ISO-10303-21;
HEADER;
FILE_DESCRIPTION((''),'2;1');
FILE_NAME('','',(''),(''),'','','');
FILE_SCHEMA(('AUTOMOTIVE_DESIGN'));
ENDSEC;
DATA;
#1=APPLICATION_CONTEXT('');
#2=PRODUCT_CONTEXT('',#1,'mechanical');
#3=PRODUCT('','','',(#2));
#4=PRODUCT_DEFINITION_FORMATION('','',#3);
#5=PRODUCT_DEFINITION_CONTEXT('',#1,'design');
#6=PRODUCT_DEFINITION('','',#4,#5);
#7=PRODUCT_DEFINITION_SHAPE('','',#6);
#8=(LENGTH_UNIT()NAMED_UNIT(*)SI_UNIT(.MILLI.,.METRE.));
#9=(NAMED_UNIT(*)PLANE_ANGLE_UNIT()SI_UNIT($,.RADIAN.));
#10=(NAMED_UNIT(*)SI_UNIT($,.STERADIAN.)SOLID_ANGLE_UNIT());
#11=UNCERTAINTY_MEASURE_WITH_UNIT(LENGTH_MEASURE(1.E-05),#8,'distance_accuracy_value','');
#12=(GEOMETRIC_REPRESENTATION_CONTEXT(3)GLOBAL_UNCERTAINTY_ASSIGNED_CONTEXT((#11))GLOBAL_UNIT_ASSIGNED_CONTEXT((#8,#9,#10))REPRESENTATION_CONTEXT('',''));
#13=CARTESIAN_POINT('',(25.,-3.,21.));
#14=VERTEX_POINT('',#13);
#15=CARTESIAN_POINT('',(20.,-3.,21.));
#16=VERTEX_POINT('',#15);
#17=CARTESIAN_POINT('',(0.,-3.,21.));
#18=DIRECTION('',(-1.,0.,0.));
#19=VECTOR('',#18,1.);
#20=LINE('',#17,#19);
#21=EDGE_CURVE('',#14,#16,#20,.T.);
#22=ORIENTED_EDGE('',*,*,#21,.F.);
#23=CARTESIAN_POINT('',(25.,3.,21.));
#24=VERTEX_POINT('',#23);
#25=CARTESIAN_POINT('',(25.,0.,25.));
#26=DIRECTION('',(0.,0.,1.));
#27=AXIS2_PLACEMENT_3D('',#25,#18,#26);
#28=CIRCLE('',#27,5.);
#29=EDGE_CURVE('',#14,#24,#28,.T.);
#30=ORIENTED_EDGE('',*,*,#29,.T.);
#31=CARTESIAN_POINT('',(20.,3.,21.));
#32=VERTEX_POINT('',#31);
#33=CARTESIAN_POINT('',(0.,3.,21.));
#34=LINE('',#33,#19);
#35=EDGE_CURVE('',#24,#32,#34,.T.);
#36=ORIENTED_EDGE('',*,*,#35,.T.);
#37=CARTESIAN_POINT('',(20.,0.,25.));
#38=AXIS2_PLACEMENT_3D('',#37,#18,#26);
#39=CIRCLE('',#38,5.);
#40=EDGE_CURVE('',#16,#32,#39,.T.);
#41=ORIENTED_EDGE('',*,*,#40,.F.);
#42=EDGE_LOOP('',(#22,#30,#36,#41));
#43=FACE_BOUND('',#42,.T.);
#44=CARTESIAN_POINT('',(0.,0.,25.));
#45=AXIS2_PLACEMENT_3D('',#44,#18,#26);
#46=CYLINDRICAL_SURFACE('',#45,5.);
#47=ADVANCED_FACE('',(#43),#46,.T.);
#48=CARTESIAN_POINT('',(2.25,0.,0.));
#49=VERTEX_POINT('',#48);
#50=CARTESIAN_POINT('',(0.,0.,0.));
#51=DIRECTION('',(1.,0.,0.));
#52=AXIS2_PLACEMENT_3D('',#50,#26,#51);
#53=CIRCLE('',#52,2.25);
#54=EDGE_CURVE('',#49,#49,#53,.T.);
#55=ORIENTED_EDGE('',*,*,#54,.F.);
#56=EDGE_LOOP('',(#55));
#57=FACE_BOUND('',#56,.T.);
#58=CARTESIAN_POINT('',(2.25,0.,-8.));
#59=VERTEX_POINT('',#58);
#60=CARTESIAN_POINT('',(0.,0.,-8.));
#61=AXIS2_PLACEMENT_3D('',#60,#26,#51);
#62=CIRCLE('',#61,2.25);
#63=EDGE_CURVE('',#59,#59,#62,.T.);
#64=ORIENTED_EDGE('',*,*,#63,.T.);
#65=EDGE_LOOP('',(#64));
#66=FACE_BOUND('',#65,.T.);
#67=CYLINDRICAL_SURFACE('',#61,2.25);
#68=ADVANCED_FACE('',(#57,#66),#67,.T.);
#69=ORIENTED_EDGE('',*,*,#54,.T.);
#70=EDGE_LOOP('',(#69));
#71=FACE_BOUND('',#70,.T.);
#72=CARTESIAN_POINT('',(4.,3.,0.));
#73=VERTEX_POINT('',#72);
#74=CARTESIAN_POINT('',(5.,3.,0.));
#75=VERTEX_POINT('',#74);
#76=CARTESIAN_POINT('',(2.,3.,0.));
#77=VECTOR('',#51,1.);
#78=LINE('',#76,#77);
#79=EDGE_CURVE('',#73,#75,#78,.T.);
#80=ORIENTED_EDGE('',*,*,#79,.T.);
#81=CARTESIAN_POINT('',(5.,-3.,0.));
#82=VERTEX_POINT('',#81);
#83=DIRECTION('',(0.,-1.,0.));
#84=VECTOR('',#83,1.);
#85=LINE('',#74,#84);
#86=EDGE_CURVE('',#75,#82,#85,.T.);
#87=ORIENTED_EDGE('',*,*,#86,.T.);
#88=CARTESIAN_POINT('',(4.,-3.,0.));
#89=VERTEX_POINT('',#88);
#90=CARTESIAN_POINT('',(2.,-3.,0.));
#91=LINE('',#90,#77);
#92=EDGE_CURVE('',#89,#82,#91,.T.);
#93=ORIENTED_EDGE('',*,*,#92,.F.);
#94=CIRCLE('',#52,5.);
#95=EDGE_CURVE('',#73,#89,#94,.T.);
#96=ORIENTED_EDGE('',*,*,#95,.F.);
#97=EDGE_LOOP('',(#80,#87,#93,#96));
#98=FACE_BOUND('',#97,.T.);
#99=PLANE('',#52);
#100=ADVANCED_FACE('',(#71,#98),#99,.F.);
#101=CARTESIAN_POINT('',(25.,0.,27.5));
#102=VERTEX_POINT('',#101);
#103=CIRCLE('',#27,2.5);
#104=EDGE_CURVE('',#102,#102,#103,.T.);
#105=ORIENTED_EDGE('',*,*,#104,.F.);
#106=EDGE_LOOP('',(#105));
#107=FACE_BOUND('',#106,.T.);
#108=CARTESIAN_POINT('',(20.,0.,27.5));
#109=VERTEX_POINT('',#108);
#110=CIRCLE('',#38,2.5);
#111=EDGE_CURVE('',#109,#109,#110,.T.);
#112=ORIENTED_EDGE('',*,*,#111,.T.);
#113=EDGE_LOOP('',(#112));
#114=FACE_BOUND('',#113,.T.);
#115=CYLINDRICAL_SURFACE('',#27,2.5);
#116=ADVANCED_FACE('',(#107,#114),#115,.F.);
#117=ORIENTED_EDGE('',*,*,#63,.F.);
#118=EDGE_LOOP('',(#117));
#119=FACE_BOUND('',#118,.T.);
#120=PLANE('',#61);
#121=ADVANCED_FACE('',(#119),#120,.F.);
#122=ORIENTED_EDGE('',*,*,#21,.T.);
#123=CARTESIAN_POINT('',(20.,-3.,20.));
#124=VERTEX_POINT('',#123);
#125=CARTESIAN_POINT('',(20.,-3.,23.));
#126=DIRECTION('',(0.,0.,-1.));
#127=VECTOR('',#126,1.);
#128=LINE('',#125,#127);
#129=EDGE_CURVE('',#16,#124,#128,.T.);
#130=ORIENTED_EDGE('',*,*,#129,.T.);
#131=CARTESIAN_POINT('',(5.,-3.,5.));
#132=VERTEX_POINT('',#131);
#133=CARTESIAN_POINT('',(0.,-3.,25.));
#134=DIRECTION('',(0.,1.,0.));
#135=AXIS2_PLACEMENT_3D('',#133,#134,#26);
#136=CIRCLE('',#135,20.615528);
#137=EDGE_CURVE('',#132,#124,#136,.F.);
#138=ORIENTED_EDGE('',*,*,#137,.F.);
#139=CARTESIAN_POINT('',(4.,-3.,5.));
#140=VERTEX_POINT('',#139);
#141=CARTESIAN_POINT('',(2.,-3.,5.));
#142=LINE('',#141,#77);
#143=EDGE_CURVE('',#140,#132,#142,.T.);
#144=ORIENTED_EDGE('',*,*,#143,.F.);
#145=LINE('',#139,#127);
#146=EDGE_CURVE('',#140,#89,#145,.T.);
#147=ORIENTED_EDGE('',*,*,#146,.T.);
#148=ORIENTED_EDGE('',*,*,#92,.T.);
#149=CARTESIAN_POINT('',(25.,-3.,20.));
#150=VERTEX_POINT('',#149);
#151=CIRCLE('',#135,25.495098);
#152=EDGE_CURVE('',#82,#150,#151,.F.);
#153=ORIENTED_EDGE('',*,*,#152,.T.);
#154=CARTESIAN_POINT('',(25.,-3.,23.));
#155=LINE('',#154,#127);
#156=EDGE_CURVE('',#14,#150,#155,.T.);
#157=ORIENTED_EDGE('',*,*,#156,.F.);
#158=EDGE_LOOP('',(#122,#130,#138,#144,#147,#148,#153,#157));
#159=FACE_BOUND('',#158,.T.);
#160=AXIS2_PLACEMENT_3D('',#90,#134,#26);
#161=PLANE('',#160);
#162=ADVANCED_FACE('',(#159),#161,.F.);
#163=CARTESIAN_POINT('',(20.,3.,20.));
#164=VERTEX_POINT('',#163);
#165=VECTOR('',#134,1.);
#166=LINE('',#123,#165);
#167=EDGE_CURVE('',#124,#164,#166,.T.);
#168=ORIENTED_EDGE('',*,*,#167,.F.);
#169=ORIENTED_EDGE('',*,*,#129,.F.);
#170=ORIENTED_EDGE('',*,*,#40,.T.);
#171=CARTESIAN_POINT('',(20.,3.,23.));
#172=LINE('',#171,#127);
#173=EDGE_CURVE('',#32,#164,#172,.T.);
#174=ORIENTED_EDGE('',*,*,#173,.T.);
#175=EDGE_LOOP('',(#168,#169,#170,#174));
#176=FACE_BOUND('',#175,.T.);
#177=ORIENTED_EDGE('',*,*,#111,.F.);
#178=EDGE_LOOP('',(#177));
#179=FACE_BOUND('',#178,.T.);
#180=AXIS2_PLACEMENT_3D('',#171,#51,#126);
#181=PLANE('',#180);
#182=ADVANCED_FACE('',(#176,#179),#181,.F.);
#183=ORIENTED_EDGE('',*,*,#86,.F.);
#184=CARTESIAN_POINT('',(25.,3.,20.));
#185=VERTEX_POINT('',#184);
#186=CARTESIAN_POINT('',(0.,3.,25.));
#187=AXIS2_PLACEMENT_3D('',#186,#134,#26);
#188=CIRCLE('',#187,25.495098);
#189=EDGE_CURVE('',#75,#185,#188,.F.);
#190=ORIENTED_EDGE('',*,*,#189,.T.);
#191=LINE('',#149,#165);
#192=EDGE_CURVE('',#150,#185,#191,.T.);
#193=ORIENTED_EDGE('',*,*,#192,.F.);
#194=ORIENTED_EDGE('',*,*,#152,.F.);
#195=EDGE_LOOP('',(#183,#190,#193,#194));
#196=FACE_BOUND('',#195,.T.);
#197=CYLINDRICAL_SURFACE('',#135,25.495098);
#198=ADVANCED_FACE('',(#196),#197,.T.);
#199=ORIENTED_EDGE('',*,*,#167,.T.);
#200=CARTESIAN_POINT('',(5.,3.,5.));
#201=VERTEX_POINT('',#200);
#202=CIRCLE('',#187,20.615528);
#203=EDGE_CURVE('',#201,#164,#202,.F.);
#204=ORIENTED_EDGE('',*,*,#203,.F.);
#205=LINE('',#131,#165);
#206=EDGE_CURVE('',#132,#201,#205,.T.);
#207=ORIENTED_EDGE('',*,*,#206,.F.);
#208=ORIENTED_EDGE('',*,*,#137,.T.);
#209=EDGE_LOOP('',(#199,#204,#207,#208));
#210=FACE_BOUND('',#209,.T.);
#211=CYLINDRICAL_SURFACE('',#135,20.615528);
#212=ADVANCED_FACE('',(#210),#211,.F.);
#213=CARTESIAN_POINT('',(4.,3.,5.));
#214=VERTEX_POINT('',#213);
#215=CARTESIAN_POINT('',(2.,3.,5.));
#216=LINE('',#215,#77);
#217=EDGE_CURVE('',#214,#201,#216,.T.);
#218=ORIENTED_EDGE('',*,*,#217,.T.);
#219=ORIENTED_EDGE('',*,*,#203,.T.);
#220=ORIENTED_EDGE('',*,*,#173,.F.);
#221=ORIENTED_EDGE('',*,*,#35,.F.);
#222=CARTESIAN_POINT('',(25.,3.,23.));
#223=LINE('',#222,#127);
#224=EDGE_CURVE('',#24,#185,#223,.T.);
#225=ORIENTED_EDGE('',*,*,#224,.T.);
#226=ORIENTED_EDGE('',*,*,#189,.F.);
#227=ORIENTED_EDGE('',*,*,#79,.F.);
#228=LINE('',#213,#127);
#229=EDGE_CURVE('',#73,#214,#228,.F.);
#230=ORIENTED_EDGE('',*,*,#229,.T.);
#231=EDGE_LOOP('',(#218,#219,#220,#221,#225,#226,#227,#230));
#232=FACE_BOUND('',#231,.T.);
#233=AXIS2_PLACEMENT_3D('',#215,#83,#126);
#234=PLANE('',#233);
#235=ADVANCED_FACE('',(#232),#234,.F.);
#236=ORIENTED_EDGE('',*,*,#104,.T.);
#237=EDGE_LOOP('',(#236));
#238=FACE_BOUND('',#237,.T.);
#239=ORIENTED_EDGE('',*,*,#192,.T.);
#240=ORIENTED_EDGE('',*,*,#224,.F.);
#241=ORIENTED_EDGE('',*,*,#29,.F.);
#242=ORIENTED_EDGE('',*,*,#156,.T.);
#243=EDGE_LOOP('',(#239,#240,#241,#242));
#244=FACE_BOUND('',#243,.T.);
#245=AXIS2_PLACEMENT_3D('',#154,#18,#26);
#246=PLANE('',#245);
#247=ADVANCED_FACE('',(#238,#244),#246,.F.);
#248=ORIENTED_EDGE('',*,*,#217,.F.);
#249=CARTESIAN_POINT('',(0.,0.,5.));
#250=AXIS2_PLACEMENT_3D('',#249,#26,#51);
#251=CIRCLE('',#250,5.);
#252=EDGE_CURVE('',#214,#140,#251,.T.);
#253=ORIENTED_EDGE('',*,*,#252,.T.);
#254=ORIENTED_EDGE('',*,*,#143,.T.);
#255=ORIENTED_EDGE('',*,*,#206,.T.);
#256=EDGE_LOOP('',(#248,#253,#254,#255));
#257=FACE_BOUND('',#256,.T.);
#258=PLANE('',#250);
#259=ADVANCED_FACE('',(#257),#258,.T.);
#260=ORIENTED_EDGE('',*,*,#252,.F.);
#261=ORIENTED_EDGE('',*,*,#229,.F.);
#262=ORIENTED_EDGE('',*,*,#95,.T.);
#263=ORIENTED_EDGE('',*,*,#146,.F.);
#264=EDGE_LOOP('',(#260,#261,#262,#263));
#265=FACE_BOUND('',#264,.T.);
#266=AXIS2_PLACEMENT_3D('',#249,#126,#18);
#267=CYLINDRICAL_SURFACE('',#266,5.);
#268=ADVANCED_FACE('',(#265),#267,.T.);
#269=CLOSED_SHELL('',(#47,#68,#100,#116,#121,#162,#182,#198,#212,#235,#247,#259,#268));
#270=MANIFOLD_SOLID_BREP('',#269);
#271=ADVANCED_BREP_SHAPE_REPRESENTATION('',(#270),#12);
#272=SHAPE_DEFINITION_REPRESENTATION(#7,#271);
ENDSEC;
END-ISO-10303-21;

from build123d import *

# Parameters (mm, degrees)
SKETCH_2_R           = 5
EXTRUDE_3_DEPTH      = 5
EXTRUDE_4_DEPTH      = 3
EXTRUDE_4_DEPTH_BACK = 3
SKETCH_3_3_W         = 5
SKETCH_3_3_H         = 5
SKETCH_4_W           = 5
SKETCH_4_H           = 6
EXTRUDE_5_DEPTH      = 3
SKETCH_5_W           = 5
SKETCH_5_H           = 6
EXTRUDE_6_DEPTH      = 3
SKETCH_6_R           = 2.5
CUT_EXTRUDE_1_DEPTH  = 5
EXTRUDE_START        = -5
SKETCH_7_R           = 2.25
EXTRUDE_7_DEPTH      = 8


with BuildPart() as part:
    # 草图2 → 凸台-拉伸3 (new body)
    with BuildSketch(Plane.XY):
        Circle(SKETCH_2_R)
    extrude(amount=EXTRUDE_3_DEPTH)



with BuildPart() as body_2:
    # 草图3 → 凸台-拉伸4 (new, two sides: drawn at the far end of the back side and taken through both)
    with BuildSketch(Plane(origin=(0, 0, 0), x_dir=(1, 0, 0), z_dir=(0, 1, 0)).offset(-EXTRUDE_4_DEPTH_BACK)):
        with BuildLine():
            ThreePointArc((5, 0), (18.027756377, -6.972243623), (25, -20))
            Line((25, -20), (20, -20))
            ThreePointArc((20, -20), (14.577379737, -10.422620263), (5, -5))
            Line((5, -5), (5, 0))
        make_face()
    extrude(amount=EXTRUDE_4_DEPTH + EXTRUDE_4_DEPTH_BACK)



with BuildPart() as body_3:
    # 草图3<3> → 旋转1 (revolve)
    with BuildSketch(Plane(origin=(0, 0, 0), x_dir=(1, 0, 0), z_dir=(0, 1, 0)), mode=Mode.PRIVATE) as revolve_1_sk:
        with Locations((22.5, -22.5)):
            Rectangle(SKETCH_3_3_W, SKETCH_3_3_H)
    revolve(revolve_1_sk.sketch.rotate(Axis((0, 0, 25), (1, 0, 0)), 180), axis=Axis((0, 0, 25), (1, 0, 0)))


with BuildPart() as body_2_1:
    add(body_2.part)

    add(body_3.part)  # 凸台-拉伸5 merges body 3
    # 草图4 → 凸台-拉伸5 (add)
    with BuildSketch(Plane.XY.offset(20)):
        with Locations((22.5, 0)):
            Rectangle(SKETCH_4_W, SKETCH_4_H)
    extrude(amount=EXTRUDE_5_DEPTH)


with BuildPart() as part_1:
    add(part.part)

    add(body_2_1.part)  # 凸台-拉伸6 merges body 2
    # 草图5 → 凸台-拉伸6 (add)
    with BuildSketch(Plane.ZY.offset(-5)):
        with Locations((2.5, 0)):
            Rectangle(SKETCH_5_W, SKETCH_5_H)
    extrude(amount=EXTRUDE_6_DEPTH)

    # 草图6 → 切除-拉伸1 (cut)
    with BuildSketch(Plane.ZY.offset(-20)):
        with Locations((25, 0)):
            Circle(SKETCH_6_R)
    extrude(amount=-CUT_EXTRUDE_1_DEPTH, mode=Mode.SUBTRACT)

    # 草图7 → 凸台-拉伸7 (add)
    with BuildSketch(Plane.XY.offset(5).offset(EXTRUDE_START)):
        Circle(SKETCH_7_R)
    extrude(amount=-EXTRUDE_7_DEPTH)


solid = part_1.part
